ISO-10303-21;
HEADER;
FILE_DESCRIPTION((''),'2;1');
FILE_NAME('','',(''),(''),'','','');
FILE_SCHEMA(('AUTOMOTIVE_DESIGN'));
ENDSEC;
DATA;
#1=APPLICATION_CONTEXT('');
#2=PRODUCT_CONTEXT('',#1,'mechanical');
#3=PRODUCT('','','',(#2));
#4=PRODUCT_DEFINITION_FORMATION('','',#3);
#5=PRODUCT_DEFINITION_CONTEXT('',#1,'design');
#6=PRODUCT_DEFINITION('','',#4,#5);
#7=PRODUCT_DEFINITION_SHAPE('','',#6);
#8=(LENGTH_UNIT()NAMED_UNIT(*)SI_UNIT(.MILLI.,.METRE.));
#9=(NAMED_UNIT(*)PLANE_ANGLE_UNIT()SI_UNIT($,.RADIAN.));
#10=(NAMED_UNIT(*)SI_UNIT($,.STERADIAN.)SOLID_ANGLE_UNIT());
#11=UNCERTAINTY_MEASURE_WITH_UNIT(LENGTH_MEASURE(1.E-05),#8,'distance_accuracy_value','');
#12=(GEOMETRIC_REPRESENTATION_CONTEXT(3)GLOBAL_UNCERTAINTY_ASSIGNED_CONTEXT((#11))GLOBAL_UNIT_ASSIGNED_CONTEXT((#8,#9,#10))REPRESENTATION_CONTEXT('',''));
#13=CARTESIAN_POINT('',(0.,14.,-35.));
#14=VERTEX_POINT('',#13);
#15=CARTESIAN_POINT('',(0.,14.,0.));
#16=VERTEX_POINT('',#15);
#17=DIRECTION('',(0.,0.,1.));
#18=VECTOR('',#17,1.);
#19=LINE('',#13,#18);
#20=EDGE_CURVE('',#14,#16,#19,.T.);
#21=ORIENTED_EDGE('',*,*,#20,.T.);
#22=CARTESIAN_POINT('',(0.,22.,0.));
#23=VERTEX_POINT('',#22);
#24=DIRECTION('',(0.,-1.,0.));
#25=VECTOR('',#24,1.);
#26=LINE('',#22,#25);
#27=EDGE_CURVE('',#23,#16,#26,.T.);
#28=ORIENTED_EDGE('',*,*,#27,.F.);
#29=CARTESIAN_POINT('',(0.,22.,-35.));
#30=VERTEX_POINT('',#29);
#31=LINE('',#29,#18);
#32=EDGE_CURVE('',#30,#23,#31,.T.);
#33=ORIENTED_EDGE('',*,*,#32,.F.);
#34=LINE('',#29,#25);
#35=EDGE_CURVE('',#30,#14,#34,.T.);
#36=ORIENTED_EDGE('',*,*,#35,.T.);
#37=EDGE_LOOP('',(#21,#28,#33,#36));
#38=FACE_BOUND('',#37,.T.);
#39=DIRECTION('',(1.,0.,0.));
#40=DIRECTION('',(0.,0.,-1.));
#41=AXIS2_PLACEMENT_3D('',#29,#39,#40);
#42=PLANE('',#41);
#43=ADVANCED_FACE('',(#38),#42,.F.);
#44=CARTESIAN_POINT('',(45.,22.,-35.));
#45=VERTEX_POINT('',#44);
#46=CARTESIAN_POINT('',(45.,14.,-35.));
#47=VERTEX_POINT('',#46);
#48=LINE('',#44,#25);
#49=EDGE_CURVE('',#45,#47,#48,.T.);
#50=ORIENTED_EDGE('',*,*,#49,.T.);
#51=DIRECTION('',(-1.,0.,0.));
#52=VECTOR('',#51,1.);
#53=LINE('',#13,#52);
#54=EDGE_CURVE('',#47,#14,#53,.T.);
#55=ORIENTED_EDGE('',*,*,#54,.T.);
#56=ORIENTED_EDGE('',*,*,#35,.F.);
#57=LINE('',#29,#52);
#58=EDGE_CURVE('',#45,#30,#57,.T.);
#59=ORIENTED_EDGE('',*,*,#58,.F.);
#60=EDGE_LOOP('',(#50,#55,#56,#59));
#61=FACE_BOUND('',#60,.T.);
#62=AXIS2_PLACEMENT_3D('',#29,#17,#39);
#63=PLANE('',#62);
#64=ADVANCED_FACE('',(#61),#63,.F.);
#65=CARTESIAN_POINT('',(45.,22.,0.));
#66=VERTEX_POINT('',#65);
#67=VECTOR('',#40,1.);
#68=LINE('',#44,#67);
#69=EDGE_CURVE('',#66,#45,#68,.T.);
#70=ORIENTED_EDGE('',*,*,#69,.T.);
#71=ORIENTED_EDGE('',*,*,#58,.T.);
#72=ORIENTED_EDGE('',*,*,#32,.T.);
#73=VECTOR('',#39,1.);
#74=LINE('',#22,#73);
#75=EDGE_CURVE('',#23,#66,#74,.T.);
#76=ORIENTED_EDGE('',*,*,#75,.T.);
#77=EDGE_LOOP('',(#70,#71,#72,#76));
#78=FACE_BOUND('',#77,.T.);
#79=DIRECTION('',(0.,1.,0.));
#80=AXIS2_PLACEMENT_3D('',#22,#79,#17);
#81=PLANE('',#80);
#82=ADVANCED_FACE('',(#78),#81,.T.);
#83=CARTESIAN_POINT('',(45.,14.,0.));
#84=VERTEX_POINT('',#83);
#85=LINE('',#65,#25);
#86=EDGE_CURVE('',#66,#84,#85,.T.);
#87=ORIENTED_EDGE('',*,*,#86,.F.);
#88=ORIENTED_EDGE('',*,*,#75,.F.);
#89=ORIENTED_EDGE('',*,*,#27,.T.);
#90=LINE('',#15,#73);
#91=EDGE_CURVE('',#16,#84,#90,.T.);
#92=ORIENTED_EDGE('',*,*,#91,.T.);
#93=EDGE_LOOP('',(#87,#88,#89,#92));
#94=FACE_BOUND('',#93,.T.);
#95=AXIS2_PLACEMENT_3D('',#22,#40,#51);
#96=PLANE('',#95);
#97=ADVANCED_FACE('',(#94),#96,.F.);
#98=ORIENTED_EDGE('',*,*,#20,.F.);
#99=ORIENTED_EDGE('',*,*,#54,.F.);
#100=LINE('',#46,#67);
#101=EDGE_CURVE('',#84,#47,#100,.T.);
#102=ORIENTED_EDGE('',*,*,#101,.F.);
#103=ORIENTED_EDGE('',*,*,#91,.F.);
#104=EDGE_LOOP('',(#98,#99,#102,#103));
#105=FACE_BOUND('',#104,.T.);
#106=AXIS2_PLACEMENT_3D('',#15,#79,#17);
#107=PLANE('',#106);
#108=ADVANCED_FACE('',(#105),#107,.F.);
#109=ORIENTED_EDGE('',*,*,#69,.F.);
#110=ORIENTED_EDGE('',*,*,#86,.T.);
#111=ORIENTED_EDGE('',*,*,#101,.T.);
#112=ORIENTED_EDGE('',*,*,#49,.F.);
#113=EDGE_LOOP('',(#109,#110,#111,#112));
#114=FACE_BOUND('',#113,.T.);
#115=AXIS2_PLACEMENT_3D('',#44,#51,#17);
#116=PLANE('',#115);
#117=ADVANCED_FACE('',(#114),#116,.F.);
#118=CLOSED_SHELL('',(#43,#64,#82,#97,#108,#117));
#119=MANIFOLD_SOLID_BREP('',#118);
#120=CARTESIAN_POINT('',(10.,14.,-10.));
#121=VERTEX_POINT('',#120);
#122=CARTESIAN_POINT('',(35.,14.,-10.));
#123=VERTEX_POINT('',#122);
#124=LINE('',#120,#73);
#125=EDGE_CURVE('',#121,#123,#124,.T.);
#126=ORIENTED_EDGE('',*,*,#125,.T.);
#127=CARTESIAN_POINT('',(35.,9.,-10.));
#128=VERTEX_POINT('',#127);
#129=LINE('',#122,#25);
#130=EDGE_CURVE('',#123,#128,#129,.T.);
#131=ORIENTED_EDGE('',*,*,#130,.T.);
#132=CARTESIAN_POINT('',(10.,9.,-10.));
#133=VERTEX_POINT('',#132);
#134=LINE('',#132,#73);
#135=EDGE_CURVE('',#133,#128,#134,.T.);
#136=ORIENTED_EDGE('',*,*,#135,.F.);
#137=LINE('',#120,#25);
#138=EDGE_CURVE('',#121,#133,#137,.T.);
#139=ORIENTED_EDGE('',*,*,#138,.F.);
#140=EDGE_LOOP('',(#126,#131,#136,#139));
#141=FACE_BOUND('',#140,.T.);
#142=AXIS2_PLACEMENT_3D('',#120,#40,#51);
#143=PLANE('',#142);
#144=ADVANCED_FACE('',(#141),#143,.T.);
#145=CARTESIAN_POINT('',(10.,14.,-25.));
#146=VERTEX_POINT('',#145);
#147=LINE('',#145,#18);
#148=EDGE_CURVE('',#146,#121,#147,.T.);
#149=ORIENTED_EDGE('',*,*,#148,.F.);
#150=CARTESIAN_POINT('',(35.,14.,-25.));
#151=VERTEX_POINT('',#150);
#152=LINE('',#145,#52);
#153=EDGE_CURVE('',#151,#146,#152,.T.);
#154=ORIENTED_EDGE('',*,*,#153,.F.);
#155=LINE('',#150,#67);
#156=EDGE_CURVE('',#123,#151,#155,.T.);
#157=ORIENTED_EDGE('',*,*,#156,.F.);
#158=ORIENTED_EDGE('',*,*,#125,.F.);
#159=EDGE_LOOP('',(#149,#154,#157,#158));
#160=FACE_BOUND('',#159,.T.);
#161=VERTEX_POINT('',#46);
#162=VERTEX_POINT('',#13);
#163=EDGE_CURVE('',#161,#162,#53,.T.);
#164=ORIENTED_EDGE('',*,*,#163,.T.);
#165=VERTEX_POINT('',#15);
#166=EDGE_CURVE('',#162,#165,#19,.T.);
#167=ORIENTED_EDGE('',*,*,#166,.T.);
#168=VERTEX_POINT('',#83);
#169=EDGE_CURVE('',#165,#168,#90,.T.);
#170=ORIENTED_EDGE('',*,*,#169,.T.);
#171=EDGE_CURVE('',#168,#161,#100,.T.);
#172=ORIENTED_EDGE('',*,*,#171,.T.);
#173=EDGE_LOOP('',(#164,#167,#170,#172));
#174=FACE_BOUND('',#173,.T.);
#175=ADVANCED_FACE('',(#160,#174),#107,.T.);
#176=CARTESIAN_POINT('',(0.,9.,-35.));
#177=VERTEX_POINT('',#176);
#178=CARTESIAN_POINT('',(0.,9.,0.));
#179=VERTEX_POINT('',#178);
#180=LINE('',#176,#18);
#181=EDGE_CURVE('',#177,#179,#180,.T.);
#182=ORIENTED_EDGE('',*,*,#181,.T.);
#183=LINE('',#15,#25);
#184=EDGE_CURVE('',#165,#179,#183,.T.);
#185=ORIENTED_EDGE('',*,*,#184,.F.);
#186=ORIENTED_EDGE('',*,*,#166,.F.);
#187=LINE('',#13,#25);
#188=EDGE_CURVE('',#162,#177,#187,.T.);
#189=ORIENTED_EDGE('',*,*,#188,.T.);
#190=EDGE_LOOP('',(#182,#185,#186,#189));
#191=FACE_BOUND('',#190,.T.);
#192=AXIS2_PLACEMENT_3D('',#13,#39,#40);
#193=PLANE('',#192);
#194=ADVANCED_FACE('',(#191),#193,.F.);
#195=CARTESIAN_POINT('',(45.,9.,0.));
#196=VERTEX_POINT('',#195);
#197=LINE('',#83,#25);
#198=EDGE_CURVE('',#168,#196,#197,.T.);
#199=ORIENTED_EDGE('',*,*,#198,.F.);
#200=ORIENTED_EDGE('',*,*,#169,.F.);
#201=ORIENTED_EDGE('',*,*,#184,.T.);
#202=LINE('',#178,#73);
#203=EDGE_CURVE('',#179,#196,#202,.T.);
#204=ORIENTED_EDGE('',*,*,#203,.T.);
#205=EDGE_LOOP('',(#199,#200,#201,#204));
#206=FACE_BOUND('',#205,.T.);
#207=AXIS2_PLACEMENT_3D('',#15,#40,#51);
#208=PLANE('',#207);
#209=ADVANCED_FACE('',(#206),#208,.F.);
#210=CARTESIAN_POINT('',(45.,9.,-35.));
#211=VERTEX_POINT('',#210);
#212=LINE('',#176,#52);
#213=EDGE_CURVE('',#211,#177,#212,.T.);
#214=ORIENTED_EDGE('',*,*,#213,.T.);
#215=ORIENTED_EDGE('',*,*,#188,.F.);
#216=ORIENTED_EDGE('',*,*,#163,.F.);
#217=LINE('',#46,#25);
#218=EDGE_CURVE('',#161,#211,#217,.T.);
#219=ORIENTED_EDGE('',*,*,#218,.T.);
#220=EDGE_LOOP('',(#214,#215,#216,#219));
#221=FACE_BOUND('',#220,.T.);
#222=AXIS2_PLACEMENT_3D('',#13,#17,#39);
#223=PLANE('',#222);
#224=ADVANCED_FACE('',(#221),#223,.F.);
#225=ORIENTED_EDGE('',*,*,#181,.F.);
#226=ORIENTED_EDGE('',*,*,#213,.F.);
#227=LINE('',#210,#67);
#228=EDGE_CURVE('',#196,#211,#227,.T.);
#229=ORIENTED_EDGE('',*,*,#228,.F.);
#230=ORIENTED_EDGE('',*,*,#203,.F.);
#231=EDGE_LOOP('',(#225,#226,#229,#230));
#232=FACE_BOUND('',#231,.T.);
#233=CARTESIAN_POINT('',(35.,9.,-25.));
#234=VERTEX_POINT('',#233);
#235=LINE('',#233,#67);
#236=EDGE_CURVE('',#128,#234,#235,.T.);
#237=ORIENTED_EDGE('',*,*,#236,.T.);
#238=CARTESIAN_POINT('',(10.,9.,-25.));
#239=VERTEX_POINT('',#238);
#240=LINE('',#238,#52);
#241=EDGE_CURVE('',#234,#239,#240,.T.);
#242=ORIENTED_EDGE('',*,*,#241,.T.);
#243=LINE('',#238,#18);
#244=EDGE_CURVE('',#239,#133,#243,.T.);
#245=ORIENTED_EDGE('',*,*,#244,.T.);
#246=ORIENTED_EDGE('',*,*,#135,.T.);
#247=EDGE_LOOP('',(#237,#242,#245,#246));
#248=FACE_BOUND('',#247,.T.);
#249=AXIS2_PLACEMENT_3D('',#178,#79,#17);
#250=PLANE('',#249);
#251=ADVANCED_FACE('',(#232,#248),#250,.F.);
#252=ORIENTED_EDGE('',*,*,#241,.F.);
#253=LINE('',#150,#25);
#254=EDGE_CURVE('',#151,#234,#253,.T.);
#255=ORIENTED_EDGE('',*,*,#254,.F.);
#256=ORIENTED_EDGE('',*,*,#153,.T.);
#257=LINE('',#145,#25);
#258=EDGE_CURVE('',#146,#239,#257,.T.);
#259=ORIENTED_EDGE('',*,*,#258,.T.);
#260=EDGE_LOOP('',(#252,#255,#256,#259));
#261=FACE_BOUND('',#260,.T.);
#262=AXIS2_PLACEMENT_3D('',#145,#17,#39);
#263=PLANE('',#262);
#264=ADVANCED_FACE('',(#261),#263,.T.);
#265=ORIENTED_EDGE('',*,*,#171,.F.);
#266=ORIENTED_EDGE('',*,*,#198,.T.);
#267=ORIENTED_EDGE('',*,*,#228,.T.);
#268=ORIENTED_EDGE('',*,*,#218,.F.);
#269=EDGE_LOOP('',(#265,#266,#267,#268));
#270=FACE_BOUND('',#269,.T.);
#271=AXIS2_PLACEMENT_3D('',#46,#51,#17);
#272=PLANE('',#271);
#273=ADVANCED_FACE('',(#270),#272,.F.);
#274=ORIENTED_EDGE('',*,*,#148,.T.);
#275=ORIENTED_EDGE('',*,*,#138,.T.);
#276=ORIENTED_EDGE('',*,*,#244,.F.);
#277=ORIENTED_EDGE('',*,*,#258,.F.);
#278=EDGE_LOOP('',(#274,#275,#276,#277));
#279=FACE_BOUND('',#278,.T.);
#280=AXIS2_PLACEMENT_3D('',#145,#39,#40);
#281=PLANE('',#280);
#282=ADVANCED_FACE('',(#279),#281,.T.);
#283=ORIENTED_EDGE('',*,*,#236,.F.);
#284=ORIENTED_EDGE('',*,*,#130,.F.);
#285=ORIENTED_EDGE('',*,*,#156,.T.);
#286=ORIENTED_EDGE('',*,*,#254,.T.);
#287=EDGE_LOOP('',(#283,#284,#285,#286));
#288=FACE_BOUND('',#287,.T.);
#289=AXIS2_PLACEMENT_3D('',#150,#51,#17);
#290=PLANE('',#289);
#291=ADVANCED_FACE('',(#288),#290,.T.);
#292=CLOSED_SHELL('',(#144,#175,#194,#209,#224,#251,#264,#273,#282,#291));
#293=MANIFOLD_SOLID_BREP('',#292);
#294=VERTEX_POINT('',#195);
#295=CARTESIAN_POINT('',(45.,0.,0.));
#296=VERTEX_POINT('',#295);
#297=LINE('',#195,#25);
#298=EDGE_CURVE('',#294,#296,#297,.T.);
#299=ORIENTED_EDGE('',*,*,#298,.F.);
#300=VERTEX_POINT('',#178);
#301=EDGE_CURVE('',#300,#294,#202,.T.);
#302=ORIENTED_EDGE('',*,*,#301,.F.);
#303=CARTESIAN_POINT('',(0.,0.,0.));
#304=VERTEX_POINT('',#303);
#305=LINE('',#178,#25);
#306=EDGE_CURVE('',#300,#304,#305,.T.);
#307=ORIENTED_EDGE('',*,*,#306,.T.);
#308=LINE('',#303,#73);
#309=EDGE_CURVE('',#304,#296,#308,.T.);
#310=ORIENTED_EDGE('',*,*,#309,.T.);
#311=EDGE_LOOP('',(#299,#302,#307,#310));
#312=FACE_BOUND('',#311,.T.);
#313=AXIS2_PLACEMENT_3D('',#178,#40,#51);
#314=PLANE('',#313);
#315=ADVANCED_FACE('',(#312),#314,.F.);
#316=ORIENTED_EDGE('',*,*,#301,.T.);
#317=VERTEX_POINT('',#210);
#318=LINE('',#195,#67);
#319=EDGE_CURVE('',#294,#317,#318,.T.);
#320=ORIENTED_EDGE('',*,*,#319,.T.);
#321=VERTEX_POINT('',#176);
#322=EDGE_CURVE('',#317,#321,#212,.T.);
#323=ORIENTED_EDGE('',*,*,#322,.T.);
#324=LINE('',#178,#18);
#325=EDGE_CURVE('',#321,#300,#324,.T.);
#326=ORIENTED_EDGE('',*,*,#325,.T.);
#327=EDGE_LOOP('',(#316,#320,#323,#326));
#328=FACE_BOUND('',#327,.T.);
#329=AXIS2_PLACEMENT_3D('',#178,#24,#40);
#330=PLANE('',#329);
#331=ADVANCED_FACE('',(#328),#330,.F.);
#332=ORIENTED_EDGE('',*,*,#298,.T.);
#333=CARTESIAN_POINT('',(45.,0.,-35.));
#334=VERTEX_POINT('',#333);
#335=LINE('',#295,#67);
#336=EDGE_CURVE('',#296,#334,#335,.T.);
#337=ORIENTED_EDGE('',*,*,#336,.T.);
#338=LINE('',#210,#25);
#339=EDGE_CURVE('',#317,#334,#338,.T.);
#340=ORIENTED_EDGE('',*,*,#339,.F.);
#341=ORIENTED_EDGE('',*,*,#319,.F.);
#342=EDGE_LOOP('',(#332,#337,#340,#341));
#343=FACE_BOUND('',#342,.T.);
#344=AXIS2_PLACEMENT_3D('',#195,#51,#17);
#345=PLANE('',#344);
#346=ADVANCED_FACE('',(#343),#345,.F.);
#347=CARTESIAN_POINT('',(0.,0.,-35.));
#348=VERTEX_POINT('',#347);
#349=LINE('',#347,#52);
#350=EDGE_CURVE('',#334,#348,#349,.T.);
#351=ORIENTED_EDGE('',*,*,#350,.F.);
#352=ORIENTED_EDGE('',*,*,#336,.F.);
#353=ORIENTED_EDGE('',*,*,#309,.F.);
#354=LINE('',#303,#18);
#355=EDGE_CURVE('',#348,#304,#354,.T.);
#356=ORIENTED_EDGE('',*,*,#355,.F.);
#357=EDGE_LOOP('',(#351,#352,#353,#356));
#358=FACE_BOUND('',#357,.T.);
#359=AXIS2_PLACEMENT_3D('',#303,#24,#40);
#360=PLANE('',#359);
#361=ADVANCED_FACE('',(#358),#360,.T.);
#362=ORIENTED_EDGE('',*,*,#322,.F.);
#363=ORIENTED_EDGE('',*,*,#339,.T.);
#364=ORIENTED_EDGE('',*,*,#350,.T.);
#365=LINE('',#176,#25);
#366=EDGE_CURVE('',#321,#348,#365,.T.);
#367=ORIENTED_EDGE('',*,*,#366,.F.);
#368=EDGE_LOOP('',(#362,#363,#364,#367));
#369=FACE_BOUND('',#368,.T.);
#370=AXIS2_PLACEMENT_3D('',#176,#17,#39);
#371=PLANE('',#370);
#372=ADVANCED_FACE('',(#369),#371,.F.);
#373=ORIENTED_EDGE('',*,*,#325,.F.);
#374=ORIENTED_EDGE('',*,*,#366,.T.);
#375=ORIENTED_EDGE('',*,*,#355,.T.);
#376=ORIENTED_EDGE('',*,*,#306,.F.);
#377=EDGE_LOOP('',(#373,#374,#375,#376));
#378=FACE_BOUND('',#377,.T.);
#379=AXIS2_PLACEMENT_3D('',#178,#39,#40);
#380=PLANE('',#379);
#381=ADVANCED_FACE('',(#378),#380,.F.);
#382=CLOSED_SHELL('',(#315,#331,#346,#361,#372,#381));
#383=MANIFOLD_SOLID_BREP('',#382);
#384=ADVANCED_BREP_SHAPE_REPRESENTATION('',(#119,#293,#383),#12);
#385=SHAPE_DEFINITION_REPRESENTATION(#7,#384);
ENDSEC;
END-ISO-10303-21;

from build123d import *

# Parameters (mm, degrees)
SKETCH2_W           = 45
SKETCH2_H           = 35
BOSS_EXTRUDE1_DEPTH = 9
SKETCH5_W           = 45
SKETCH5_H           = 35
SKETCH5_W_2         = 25
SKETCH5_H_2         = 15
BOSS_EXTRUDE4_DEPTH = 5
SKETCH6_W           = 45
SKETCH6_H           = 35
BOSS_EXTRUDE5_DEPTH = 8


with BuildPart() as part:
    # Sketch2 → Boss-Extrude1 (new body)
    with BuildSketch(Plane(origin=(0, 0, 0), x_dir=(1, 0, 0), z_dir=(0, 1, 0))):
        with Locations((22.5, 17.5)):
            Rectangle(SKETCH2_W, SKETCH2_H)
    extrude(amount=BOSS_EXTRUDE1_DEPTH)


with BuildPart() as body_2:
    # Sketch5 → Boss-Extrude4 (new body)
    with BuildSketch(Plane(origin=(0, 9, 0), x_dir=(1, 0, 0), z_dir=(0, 1, 0))):
        with Locations((22.5, 17.5)):
            Rectangle(SKETCH5_W, SKETCH5_H)
        with Locations((22.5, 17.5)):
            Rectangle(SKETCH5_W_2, SKETCH5_H_2, mode=Mode.SUBTRACT)
    extrude(amount=BOSS_EXTRUDE4_DEPTH)


with BuildPart() as body_3:
    # Sketch6 → Boss-Extrude5 (new body)
    with BuildSketch(Plane(origin=(0, 14, 0), x_dir=(1, 0, 0), z_dir=(0, 1, 0))):
        with Locations((22.5, 17.5)):
            Rectangle(SKETCH6_W, SKETCH6_H)
    extrude(amount=BOSS_EXTRUDE5_DEPTH)


solid = Compound([part.part, body_2.part, body_3.part])
